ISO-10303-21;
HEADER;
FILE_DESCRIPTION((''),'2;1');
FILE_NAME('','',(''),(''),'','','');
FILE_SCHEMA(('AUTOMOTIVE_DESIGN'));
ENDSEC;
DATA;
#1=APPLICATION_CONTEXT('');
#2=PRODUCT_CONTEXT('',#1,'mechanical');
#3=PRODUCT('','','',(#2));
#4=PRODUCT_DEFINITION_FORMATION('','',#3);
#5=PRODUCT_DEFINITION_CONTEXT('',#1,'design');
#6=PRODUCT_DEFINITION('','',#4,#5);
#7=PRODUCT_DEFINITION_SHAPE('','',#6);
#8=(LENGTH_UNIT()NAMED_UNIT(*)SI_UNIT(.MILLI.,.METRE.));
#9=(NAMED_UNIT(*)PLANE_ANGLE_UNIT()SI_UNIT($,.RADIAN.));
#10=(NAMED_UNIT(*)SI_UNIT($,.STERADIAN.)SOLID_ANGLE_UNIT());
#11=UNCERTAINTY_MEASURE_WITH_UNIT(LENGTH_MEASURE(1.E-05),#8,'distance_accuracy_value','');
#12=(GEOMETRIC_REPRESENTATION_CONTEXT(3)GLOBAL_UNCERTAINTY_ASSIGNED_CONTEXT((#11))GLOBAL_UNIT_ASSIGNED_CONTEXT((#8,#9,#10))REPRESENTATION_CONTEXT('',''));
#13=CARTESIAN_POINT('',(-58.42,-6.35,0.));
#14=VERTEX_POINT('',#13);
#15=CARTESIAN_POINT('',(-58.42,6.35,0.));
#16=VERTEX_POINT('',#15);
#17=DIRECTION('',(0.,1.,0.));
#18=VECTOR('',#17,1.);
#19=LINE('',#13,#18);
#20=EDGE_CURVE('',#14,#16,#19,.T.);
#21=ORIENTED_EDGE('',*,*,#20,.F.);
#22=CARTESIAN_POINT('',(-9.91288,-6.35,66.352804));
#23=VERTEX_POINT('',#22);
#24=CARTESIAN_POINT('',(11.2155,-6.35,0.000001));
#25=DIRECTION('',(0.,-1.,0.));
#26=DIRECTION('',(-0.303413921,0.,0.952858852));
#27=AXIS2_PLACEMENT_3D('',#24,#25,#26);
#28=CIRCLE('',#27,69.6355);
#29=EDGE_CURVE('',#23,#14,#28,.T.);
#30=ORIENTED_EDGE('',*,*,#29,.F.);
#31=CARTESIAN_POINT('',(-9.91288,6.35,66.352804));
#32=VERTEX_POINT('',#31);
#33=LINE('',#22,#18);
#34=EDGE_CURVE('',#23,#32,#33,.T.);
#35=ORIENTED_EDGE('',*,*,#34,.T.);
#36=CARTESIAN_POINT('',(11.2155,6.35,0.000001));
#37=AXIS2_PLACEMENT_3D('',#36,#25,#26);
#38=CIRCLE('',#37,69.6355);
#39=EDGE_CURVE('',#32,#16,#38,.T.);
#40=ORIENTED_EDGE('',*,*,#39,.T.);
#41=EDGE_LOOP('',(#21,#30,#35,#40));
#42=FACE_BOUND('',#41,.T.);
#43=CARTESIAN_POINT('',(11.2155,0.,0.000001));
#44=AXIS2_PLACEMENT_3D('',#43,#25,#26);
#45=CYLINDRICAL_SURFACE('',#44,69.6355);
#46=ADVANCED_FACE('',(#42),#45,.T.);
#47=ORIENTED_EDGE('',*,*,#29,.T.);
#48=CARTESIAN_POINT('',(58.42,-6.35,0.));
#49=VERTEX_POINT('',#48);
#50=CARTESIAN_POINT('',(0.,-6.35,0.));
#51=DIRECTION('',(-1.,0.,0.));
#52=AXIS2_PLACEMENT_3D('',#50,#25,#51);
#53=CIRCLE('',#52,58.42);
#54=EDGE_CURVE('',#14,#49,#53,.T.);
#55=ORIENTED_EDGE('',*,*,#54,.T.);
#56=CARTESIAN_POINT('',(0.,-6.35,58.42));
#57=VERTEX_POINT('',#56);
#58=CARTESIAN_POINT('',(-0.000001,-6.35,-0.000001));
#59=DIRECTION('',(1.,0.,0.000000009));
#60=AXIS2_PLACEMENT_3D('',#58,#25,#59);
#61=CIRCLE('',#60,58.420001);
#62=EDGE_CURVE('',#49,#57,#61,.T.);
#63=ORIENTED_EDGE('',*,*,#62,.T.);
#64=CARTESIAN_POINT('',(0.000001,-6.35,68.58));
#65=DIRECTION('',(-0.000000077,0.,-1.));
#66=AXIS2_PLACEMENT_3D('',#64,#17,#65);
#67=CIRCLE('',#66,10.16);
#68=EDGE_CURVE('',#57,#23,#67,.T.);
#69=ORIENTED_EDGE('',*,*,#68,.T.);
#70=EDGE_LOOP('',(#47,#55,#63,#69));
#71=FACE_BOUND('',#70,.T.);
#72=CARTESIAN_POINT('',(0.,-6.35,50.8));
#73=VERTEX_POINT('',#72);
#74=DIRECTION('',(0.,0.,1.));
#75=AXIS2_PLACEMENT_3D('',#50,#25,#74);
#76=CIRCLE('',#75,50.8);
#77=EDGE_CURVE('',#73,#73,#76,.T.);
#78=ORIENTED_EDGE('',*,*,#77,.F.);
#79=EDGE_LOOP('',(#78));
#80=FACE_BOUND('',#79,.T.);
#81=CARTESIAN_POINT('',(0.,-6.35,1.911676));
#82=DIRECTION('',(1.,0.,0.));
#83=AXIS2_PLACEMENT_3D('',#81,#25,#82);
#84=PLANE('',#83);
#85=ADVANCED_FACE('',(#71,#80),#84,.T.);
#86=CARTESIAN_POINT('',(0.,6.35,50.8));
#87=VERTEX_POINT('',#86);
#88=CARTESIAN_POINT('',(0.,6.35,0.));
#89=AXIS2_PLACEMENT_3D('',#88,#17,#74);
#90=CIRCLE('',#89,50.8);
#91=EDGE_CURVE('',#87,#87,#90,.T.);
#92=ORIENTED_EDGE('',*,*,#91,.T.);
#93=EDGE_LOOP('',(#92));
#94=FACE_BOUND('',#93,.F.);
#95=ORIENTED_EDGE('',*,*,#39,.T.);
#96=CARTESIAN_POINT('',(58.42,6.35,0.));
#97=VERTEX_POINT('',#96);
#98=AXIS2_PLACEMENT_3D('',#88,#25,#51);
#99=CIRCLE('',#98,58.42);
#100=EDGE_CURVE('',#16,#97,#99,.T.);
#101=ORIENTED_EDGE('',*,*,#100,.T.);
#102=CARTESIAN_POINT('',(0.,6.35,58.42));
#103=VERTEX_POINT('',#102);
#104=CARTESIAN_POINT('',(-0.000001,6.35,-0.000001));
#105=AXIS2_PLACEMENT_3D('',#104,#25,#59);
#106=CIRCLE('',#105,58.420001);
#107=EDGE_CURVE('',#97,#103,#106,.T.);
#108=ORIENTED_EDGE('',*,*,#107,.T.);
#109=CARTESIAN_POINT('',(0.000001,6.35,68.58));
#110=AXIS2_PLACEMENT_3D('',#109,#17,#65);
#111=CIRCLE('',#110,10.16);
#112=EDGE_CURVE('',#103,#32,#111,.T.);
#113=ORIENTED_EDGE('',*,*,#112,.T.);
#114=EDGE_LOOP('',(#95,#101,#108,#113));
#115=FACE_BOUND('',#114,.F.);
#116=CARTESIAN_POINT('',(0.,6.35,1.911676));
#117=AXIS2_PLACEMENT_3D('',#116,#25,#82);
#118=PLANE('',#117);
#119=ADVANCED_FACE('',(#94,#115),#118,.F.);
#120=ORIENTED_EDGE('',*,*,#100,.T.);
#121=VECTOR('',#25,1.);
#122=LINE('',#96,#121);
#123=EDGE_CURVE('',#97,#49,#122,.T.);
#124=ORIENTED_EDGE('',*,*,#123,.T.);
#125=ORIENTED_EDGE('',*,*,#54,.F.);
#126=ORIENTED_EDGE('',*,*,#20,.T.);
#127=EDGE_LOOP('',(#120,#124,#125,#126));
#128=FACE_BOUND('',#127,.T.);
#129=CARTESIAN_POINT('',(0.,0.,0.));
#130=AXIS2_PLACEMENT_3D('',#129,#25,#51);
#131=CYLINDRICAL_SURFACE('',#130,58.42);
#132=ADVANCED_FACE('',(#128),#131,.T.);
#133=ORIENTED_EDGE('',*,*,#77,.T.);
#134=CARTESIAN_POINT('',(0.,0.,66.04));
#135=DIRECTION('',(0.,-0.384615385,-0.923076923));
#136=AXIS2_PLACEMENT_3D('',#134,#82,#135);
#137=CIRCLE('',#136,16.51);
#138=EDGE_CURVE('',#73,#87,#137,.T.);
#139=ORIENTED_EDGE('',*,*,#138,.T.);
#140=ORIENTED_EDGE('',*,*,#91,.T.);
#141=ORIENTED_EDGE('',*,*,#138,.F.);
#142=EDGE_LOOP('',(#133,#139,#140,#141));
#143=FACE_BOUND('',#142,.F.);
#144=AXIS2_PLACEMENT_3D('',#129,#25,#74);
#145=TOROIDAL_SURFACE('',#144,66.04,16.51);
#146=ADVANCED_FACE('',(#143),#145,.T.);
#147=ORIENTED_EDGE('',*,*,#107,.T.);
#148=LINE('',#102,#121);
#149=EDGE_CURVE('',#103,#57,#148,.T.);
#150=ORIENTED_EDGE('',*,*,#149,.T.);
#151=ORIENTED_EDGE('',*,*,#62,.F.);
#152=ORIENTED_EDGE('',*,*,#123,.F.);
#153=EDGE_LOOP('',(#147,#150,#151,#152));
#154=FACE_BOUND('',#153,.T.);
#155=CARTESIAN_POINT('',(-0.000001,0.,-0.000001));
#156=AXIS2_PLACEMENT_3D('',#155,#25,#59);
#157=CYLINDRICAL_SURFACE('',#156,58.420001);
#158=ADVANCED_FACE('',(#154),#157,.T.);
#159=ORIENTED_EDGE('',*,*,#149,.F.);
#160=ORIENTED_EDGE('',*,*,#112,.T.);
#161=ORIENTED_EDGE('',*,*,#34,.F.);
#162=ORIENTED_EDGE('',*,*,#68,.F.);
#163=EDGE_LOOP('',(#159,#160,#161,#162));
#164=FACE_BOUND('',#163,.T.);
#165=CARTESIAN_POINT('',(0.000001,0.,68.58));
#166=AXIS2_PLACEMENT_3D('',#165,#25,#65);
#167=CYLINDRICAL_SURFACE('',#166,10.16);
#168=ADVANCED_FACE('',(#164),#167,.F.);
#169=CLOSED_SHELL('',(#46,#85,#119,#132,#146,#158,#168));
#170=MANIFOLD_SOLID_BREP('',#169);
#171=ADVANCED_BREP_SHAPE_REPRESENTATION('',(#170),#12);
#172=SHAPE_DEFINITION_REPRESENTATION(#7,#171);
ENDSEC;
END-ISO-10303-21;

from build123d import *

# Parameters (mm, degrees)
F0_R     = 50.8
F1_DEPTH = 6.35


with BuildPart() as f1:
    # F0 (on Front) → F1 (new body, symmetric)
    with BuildSketch(Plane.XZ):
        with BuildLine():
            ThreePointArc((-58.42, 0), (0, -58.42), (58.42, 0))
            ThreePointArc((58.42, 0), (41.309178, 41.309178), (0, 58.42))
            ThreePointArc((0, 58.42), (-41.309178, 41.309178), (-58.42, 0))
        make_face()
        Circle(F0_R, mode=Mode.SUBTRACT)
        with BuildLine():
            ThreePointArc((-58.42, 0), (-41.309178, 41.309178), (0, 58.42))
            ThreePointArc((0, 58.42), (-6.348121, 60.647349), (-9.91288, 66.352804))
            ThreePointArc((-9.91288, 66.352804), (-45.000104, 41.096336), (-58.42, 0))
        make_face()
    extrude(amount=F1_DEPTH, both=True)

    # F2 (on Right) → F3 (revolve)
    with BuildSketch(Plane.YZ):
        with BuildLine():
            Line((6.35, 50.8), (-6.35, 50.8))
            ThreePointArc((-6.35, 50.8), (0, 49.53), (6.35, 50.8))
        make_face()
    revolve(axis=Axis((0, 1.744404, 0), (0, 1, 0)))


solid = f1.part
